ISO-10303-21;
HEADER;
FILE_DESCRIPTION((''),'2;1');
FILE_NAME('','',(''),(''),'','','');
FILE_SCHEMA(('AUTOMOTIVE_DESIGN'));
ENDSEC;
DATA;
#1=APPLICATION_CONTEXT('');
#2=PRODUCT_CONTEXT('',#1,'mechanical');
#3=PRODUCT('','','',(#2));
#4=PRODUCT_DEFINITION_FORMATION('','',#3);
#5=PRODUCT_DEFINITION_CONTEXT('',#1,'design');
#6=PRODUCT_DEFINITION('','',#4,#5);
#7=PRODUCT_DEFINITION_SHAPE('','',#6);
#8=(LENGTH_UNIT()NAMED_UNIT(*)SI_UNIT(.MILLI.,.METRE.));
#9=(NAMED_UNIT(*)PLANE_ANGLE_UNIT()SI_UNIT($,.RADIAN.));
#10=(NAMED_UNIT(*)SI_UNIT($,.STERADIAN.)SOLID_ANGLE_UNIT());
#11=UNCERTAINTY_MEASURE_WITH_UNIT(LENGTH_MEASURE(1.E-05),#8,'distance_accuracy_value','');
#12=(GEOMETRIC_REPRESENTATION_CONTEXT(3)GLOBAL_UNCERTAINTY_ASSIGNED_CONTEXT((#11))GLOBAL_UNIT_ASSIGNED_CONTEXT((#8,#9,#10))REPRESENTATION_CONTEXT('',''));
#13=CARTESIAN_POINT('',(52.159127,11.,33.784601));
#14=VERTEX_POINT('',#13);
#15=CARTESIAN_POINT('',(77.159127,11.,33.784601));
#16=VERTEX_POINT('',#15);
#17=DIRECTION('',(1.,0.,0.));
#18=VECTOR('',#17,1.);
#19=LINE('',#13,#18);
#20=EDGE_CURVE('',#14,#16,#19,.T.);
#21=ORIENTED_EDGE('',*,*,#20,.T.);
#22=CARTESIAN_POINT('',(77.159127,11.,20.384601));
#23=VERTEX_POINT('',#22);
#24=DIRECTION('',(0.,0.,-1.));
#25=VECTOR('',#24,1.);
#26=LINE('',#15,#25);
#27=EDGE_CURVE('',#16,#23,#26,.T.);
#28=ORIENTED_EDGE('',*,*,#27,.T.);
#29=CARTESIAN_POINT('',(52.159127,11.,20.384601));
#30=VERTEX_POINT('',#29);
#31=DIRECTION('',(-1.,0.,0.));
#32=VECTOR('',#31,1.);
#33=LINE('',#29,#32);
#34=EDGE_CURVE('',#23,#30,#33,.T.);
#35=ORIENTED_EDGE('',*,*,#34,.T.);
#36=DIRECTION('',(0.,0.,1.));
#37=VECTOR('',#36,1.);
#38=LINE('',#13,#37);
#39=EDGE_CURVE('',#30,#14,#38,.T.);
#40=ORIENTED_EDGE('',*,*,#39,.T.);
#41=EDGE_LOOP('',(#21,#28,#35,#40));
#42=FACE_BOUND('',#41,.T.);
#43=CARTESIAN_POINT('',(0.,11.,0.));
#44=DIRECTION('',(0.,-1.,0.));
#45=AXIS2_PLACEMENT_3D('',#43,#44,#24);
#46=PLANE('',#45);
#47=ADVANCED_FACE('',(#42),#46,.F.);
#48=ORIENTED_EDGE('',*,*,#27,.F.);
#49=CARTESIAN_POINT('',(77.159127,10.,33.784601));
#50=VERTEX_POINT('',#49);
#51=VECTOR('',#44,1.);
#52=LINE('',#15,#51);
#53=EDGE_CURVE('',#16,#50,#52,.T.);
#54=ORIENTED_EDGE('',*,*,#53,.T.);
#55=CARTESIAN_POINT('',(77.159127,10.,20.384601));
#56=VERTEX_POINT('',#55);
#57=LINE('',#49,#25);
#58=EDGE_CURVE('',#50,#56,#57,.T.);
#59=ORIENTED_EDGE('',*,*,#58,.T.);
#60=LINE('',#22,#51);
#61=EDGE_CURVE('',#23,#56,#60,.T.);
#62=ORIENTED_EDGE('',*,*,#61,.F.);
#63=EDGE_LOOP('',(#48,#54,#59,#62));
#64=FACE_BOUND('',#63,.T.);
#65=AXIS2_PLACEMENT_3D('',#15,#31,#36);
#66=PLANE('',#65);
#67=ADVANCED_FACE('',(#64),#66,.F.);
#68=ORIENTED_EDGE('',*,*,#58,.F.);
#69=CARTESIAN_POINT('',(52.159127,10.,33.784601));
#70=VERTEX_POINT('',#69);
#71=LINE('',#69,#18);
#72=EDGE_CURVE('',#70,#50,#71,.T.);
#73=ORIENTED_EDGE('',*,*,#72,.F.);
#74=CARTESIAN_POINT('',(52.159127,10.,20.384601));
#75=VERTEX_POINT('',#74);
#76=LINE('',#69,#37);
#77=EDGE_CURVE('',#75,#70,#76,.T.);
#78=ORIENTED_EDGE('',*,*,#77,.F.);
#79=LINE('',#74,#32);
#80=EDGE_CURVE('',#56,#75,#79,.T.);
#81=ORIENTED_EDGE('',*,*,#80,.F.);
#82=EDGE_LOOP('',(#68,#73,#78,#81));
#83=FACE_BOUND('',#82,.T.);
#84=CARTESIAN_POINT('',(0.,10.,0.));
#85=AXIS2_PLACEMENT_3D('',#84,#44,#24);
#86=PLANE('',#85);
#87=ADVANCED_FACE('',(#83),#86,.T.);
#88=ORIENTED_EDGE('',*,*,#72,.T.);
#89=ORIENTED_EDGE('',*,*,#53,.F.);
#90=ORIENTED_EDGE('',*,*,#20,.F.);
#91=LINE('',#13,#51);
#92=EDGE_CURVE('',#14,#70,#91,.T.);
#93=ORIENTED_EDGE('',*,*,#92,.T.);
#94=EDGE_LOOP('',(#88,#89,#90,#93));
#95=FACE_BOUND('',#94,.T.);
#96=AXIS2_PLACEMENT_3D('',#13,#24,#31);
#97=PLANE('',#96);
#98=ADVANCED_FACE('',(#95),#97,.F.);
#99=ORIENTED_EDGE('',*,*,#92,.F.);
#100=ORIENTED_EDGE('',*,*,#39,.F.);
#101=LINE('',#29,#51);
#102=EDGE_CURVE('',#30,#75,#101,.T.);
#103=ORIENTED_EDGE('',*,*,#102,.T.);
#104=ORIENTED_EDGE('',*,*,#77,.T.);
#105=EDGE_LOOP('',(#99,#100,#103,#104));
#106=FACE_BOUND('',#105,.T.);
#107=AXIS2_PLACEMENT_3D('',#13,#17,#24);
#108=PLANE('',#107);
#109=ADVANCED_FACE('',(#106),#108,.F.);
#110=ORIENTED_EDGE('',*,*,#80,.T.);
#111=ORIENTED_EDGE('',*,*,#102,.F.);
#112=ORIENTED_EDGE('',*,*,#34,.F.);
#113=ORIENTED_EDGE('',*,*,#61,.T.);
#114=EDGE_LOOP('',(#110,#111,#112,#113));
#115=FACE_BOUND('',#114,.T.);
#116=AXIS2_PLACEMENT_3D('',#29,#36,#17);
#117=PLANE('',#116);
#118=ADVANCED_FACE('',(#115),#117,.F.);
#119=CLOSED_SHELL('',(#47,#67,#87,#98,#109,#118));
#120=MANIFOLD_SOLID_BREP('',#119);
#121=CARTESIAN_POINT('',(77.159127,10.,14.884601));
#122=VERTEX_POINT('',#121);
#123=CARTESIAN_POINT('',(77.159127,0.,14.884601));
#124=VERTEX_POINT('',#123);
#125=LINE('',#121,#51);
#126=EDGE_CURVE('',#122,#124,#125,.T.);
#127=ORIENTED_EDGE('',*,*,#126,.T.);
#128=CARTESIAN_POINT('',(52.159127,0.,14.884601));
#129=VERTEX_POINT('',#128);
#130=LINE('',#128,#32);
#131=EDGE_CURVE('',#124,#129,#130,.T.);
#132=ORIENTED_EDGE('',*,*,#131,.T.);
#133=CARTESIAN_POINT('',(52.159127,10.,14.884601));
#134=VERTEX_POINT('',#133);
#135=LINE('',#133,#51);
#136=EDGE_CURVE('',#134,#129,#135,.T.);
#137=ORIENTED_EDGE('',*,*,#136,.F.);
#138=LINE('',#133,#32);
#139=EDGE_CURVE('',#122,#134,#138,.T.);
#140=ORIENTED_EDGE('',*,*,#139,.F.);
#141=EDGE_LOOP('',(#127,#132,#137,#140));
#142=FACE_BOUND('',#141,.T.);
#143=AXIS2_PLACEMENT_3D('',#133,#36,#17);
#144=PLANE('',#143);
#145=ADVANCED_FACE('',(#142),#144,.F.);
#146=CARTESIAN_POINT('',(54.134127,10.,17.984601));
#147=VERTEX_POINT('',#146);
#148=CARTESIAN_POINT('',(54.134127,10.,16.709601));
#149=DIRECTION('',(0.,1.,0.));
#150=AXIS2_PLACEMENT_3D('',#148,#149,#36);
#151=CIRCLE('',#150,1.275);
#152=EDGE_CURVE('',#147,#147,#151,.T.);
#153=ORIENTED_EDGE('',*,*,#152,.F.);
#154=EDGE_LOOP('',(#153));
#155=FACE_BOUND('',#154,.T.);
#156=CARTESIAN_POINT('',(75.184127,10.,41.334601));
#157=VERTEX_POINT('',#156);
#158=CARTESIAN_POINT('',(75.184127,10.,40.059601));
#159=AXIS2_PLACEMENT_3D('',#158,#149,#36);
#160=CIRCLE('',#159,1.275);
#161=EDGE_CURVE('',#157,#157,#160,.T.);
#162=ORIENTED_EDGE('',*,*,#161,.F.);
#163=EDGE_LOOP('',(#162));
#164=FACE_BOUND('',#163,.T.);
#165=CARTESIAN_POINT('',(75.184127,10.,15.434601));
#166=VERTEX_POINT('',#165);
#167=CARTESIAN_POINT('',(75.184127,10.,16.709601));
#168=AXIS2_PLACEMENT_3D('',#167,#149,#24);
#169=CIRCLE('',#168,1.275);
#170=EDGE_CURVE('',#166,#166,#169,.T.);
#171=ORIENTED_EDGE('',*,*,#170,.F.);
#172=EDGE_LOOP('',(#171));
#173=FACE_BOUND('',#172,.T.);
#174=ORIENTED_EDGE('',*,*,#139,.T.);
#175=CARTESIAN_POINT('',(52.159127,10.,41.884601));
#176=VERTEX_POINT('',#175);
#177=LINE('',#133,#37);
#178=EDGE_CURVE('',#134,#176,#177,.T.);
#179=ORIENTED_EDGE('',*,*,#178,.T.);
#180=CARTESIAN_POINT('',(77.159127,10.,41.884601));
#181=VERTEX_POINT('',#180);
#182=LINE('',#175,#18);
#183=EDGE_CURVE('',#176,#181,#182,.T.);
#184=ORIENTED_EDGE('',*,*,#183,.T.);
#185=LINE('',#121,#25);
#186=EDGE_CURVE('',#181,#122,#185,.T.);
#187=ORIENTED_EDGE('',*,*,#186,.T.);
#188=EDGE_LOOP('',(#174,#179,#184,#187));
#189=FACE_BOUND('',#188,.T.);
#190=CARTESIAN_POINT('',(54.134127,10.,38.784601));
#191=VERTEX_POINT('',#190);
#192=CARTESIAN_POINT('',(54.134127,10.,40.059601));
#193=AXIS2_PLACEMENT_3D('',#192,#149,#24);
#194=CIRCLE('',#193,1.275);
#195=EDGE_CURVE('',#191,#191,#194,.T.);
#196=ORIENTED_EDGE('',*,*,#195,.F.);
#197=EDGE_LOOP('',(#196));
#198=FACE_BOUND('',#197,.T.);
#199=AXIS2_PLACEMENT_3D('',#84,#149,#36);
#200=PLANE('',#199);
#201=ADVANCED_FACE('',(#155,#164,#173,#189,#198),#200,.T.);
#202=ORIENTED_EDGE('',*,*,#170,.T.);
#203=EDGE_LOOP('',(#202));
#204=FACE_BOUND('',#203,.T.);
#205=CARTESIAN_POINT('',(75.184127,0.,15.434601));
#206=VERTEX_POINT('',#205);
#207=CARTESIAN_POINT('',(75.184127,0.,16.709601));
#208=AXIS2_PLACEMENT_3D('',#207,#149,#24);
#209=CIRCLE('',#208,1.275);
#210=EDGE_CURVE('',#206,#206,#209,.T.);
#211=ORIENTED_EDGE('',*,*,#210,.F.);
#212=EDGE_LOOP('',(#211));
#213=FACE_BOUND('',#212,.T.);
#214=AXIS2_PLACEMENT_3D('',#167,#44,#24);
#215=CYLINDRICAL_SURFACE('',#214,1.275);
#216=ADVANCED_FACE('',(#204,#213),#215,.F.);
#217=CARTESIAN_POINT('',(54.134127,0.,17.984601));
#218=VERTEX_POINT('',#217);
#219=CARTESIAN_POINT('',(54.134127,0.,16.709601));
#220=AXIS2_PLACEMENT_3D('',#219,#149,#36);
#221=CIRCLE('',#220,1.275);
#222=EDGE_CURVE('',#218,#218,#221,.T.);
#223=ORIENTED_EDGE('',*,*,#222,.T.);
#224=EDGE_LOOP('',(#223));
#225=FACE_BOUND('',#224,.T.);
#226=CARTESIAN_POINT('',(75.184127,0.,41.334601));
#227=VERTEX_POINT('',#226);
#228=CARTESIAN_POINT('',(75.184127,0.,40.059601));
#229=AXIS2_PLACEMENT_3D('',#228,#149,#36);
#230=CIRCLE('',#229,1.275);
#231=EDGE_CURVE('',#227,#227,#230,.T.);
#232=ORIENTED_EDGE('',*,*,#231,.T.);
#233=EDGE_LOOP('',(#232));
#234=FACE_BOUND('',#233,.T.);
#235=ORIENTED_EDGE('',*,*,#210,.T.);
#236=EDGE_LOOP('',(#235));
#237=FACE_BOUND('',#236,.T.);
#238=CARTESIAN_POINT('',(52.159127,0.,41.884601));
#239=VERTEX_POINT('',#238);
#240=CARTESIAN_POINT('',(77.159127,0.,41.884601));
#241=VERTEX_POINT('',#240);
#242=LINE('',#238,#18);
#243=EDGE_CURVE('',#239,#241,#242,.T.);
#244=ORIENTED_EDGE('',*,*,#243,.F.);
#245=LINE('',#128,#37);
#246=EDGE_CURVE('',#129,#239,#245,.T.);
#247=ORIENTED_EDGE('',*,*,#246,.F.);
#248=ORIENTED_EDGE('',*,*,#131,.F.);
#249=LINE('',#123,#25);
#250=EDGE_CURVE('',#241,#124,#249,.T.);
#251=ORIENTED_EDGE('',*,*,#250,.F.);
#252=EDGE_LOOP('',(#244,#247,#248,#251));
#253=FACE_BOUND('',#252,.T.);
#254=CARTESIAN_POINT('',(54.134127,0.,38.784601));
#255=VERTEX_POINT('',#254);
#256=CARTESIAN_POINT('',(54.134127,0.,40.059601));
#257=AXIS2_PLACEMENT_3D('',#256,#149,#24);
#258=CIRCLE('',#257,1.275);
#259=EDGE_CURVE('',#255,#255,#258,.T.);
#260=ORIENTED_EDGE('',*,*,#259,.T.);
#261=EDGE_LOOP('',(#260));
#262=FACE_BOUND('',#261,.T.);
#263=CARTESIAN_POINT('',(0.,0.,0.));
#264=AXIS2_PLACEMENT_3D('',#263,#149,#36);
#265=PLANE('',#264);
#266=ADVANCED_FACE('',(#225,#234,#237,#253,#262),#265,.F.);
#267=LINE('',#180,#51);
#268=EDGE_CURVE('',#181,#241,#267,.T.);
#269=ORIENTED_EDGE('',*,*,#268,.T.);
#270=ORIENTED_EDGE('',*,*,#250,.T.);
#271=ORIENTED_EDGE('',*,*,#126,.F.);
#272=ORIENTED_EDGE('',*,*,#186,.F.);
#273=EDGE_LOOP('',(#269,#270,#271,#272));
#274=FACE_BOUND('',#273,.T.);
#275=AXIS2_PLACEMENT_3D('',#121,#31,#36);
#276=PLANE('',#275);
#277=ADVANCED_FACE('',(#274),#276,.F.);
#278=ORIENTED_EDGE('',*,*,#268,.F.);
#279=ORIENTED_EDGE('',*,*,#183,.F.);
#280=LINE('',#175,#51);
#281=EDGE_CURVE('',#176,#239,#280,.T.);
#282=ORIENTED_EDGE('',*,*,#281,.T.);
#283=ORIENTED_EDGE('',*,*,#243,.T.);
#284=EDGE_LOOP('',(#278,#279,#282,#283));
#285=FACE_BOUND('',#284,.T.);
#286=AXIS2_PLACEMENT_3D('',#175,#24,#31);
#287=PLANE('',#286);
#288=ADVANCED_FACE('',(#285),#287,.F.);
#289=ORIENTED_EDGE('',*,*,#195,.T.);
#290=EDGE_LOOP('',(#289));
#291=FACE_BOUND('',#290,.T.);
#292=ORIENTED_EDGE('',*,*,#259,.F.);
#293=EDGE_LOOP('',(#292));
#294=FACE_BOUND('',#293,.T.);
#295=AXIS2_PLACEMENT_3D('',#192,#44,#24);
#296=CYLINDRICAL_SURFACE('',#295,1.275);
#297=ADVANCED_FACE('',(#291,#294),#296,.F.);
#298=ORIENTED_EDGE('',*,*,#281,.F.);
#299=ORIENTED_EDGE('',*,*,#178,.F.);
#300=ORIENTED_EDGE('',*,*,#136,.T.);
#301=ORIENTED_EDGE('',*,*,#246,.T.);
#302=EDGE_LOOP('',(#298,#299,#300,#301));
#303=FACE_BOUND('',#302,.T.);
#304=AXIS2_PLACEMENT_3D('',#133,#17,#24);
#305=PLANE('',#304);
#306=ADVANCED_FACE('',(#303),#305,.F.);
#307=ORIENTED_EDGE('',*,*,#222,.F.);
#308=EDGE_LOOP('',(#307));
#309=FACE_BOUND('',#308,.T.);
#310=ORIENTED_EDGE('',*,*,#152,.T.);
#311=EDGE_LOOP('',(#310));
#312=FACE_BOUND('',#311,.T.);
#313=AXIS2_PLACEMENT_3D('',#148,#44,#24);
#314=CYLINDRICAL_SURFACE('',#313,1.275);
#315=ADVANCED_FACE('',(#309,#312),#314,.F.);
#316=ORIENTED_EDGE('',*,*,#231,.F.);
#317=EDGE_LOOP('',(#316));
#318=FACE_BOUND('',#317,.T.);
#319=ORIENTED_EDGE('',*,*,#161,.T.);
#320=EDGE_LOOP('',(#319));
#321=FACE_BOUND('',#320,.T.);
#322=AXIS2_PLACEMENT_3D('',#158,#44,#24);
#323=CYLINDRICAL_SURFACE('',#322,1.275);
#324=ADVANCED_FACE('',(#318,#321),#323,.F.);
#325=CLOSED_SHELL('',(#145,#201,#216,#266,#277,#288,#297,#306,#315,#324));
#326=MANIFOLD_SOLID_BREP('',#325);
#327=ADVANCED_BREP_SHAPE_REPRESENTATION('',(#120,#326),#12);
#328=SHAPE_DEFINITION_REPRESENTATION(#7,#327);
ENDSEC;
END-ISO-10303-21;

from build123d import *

# Parameters (mm, degrees)
SKETCH1_W           = 25
SKETCH1_H           = 27
SKETCH1_R           = 1.275
BOSS_EXTRUDE1_DEPTH = 10
SKETCH2_W           = 25
SKETCH2_H           = 13.4
BOSS_EXTRUDE2_DEPTH = 1


with BuildPart() as part:
    # Sketch1 → Boss-Extrude1 (new body)
    with BuildSketch(Plane(origin=(0, 0, 0), x_dir=(1, 0, 0), z_dir=(0, 1, 0))):
        with Locations((64.659126964, -28.384601034)):
            Rectangle(SKETCH1_W, SKETCH1_H)
        with Locations((54.134126964, -16.709601034)):
            Circle(SKETCH1_R, mode=Mode.SUBTRACT)
        with Locations((54.134126964, -40.059601034)):
            Circle(SKETCH1_R, mode=Mode.SUBTRACT)
        with Locations((75.184126964, -40.059601034)):
            Circle(SKETCH1_R, mode=Mode.SUBTRACT)
        with Locations((75.184126964, -16.709601034)):
            Circle(SKETCH1_R, mode=Mode.SUBTRACT)
    extrude(amount=BOSS_EXTRUDE1_DEPTH)


with BuildPart() as body_2:
    # Sketch2 → Boss-Extrude2 (new body)
    with BuildSketch(Plane(origin=(0, 10, 0), x_dir=(1, 0, 0), z_dir=(0, 1, 0))):
        with Locations((64.659126964, -27.084601034)):
            Rectangle(SKETCH2_W, SKETCH2_H)
    extrude(amount=BOSS_EXTRUDE2_DEPTH)


solid = Compound([part.part, body_2.part])
